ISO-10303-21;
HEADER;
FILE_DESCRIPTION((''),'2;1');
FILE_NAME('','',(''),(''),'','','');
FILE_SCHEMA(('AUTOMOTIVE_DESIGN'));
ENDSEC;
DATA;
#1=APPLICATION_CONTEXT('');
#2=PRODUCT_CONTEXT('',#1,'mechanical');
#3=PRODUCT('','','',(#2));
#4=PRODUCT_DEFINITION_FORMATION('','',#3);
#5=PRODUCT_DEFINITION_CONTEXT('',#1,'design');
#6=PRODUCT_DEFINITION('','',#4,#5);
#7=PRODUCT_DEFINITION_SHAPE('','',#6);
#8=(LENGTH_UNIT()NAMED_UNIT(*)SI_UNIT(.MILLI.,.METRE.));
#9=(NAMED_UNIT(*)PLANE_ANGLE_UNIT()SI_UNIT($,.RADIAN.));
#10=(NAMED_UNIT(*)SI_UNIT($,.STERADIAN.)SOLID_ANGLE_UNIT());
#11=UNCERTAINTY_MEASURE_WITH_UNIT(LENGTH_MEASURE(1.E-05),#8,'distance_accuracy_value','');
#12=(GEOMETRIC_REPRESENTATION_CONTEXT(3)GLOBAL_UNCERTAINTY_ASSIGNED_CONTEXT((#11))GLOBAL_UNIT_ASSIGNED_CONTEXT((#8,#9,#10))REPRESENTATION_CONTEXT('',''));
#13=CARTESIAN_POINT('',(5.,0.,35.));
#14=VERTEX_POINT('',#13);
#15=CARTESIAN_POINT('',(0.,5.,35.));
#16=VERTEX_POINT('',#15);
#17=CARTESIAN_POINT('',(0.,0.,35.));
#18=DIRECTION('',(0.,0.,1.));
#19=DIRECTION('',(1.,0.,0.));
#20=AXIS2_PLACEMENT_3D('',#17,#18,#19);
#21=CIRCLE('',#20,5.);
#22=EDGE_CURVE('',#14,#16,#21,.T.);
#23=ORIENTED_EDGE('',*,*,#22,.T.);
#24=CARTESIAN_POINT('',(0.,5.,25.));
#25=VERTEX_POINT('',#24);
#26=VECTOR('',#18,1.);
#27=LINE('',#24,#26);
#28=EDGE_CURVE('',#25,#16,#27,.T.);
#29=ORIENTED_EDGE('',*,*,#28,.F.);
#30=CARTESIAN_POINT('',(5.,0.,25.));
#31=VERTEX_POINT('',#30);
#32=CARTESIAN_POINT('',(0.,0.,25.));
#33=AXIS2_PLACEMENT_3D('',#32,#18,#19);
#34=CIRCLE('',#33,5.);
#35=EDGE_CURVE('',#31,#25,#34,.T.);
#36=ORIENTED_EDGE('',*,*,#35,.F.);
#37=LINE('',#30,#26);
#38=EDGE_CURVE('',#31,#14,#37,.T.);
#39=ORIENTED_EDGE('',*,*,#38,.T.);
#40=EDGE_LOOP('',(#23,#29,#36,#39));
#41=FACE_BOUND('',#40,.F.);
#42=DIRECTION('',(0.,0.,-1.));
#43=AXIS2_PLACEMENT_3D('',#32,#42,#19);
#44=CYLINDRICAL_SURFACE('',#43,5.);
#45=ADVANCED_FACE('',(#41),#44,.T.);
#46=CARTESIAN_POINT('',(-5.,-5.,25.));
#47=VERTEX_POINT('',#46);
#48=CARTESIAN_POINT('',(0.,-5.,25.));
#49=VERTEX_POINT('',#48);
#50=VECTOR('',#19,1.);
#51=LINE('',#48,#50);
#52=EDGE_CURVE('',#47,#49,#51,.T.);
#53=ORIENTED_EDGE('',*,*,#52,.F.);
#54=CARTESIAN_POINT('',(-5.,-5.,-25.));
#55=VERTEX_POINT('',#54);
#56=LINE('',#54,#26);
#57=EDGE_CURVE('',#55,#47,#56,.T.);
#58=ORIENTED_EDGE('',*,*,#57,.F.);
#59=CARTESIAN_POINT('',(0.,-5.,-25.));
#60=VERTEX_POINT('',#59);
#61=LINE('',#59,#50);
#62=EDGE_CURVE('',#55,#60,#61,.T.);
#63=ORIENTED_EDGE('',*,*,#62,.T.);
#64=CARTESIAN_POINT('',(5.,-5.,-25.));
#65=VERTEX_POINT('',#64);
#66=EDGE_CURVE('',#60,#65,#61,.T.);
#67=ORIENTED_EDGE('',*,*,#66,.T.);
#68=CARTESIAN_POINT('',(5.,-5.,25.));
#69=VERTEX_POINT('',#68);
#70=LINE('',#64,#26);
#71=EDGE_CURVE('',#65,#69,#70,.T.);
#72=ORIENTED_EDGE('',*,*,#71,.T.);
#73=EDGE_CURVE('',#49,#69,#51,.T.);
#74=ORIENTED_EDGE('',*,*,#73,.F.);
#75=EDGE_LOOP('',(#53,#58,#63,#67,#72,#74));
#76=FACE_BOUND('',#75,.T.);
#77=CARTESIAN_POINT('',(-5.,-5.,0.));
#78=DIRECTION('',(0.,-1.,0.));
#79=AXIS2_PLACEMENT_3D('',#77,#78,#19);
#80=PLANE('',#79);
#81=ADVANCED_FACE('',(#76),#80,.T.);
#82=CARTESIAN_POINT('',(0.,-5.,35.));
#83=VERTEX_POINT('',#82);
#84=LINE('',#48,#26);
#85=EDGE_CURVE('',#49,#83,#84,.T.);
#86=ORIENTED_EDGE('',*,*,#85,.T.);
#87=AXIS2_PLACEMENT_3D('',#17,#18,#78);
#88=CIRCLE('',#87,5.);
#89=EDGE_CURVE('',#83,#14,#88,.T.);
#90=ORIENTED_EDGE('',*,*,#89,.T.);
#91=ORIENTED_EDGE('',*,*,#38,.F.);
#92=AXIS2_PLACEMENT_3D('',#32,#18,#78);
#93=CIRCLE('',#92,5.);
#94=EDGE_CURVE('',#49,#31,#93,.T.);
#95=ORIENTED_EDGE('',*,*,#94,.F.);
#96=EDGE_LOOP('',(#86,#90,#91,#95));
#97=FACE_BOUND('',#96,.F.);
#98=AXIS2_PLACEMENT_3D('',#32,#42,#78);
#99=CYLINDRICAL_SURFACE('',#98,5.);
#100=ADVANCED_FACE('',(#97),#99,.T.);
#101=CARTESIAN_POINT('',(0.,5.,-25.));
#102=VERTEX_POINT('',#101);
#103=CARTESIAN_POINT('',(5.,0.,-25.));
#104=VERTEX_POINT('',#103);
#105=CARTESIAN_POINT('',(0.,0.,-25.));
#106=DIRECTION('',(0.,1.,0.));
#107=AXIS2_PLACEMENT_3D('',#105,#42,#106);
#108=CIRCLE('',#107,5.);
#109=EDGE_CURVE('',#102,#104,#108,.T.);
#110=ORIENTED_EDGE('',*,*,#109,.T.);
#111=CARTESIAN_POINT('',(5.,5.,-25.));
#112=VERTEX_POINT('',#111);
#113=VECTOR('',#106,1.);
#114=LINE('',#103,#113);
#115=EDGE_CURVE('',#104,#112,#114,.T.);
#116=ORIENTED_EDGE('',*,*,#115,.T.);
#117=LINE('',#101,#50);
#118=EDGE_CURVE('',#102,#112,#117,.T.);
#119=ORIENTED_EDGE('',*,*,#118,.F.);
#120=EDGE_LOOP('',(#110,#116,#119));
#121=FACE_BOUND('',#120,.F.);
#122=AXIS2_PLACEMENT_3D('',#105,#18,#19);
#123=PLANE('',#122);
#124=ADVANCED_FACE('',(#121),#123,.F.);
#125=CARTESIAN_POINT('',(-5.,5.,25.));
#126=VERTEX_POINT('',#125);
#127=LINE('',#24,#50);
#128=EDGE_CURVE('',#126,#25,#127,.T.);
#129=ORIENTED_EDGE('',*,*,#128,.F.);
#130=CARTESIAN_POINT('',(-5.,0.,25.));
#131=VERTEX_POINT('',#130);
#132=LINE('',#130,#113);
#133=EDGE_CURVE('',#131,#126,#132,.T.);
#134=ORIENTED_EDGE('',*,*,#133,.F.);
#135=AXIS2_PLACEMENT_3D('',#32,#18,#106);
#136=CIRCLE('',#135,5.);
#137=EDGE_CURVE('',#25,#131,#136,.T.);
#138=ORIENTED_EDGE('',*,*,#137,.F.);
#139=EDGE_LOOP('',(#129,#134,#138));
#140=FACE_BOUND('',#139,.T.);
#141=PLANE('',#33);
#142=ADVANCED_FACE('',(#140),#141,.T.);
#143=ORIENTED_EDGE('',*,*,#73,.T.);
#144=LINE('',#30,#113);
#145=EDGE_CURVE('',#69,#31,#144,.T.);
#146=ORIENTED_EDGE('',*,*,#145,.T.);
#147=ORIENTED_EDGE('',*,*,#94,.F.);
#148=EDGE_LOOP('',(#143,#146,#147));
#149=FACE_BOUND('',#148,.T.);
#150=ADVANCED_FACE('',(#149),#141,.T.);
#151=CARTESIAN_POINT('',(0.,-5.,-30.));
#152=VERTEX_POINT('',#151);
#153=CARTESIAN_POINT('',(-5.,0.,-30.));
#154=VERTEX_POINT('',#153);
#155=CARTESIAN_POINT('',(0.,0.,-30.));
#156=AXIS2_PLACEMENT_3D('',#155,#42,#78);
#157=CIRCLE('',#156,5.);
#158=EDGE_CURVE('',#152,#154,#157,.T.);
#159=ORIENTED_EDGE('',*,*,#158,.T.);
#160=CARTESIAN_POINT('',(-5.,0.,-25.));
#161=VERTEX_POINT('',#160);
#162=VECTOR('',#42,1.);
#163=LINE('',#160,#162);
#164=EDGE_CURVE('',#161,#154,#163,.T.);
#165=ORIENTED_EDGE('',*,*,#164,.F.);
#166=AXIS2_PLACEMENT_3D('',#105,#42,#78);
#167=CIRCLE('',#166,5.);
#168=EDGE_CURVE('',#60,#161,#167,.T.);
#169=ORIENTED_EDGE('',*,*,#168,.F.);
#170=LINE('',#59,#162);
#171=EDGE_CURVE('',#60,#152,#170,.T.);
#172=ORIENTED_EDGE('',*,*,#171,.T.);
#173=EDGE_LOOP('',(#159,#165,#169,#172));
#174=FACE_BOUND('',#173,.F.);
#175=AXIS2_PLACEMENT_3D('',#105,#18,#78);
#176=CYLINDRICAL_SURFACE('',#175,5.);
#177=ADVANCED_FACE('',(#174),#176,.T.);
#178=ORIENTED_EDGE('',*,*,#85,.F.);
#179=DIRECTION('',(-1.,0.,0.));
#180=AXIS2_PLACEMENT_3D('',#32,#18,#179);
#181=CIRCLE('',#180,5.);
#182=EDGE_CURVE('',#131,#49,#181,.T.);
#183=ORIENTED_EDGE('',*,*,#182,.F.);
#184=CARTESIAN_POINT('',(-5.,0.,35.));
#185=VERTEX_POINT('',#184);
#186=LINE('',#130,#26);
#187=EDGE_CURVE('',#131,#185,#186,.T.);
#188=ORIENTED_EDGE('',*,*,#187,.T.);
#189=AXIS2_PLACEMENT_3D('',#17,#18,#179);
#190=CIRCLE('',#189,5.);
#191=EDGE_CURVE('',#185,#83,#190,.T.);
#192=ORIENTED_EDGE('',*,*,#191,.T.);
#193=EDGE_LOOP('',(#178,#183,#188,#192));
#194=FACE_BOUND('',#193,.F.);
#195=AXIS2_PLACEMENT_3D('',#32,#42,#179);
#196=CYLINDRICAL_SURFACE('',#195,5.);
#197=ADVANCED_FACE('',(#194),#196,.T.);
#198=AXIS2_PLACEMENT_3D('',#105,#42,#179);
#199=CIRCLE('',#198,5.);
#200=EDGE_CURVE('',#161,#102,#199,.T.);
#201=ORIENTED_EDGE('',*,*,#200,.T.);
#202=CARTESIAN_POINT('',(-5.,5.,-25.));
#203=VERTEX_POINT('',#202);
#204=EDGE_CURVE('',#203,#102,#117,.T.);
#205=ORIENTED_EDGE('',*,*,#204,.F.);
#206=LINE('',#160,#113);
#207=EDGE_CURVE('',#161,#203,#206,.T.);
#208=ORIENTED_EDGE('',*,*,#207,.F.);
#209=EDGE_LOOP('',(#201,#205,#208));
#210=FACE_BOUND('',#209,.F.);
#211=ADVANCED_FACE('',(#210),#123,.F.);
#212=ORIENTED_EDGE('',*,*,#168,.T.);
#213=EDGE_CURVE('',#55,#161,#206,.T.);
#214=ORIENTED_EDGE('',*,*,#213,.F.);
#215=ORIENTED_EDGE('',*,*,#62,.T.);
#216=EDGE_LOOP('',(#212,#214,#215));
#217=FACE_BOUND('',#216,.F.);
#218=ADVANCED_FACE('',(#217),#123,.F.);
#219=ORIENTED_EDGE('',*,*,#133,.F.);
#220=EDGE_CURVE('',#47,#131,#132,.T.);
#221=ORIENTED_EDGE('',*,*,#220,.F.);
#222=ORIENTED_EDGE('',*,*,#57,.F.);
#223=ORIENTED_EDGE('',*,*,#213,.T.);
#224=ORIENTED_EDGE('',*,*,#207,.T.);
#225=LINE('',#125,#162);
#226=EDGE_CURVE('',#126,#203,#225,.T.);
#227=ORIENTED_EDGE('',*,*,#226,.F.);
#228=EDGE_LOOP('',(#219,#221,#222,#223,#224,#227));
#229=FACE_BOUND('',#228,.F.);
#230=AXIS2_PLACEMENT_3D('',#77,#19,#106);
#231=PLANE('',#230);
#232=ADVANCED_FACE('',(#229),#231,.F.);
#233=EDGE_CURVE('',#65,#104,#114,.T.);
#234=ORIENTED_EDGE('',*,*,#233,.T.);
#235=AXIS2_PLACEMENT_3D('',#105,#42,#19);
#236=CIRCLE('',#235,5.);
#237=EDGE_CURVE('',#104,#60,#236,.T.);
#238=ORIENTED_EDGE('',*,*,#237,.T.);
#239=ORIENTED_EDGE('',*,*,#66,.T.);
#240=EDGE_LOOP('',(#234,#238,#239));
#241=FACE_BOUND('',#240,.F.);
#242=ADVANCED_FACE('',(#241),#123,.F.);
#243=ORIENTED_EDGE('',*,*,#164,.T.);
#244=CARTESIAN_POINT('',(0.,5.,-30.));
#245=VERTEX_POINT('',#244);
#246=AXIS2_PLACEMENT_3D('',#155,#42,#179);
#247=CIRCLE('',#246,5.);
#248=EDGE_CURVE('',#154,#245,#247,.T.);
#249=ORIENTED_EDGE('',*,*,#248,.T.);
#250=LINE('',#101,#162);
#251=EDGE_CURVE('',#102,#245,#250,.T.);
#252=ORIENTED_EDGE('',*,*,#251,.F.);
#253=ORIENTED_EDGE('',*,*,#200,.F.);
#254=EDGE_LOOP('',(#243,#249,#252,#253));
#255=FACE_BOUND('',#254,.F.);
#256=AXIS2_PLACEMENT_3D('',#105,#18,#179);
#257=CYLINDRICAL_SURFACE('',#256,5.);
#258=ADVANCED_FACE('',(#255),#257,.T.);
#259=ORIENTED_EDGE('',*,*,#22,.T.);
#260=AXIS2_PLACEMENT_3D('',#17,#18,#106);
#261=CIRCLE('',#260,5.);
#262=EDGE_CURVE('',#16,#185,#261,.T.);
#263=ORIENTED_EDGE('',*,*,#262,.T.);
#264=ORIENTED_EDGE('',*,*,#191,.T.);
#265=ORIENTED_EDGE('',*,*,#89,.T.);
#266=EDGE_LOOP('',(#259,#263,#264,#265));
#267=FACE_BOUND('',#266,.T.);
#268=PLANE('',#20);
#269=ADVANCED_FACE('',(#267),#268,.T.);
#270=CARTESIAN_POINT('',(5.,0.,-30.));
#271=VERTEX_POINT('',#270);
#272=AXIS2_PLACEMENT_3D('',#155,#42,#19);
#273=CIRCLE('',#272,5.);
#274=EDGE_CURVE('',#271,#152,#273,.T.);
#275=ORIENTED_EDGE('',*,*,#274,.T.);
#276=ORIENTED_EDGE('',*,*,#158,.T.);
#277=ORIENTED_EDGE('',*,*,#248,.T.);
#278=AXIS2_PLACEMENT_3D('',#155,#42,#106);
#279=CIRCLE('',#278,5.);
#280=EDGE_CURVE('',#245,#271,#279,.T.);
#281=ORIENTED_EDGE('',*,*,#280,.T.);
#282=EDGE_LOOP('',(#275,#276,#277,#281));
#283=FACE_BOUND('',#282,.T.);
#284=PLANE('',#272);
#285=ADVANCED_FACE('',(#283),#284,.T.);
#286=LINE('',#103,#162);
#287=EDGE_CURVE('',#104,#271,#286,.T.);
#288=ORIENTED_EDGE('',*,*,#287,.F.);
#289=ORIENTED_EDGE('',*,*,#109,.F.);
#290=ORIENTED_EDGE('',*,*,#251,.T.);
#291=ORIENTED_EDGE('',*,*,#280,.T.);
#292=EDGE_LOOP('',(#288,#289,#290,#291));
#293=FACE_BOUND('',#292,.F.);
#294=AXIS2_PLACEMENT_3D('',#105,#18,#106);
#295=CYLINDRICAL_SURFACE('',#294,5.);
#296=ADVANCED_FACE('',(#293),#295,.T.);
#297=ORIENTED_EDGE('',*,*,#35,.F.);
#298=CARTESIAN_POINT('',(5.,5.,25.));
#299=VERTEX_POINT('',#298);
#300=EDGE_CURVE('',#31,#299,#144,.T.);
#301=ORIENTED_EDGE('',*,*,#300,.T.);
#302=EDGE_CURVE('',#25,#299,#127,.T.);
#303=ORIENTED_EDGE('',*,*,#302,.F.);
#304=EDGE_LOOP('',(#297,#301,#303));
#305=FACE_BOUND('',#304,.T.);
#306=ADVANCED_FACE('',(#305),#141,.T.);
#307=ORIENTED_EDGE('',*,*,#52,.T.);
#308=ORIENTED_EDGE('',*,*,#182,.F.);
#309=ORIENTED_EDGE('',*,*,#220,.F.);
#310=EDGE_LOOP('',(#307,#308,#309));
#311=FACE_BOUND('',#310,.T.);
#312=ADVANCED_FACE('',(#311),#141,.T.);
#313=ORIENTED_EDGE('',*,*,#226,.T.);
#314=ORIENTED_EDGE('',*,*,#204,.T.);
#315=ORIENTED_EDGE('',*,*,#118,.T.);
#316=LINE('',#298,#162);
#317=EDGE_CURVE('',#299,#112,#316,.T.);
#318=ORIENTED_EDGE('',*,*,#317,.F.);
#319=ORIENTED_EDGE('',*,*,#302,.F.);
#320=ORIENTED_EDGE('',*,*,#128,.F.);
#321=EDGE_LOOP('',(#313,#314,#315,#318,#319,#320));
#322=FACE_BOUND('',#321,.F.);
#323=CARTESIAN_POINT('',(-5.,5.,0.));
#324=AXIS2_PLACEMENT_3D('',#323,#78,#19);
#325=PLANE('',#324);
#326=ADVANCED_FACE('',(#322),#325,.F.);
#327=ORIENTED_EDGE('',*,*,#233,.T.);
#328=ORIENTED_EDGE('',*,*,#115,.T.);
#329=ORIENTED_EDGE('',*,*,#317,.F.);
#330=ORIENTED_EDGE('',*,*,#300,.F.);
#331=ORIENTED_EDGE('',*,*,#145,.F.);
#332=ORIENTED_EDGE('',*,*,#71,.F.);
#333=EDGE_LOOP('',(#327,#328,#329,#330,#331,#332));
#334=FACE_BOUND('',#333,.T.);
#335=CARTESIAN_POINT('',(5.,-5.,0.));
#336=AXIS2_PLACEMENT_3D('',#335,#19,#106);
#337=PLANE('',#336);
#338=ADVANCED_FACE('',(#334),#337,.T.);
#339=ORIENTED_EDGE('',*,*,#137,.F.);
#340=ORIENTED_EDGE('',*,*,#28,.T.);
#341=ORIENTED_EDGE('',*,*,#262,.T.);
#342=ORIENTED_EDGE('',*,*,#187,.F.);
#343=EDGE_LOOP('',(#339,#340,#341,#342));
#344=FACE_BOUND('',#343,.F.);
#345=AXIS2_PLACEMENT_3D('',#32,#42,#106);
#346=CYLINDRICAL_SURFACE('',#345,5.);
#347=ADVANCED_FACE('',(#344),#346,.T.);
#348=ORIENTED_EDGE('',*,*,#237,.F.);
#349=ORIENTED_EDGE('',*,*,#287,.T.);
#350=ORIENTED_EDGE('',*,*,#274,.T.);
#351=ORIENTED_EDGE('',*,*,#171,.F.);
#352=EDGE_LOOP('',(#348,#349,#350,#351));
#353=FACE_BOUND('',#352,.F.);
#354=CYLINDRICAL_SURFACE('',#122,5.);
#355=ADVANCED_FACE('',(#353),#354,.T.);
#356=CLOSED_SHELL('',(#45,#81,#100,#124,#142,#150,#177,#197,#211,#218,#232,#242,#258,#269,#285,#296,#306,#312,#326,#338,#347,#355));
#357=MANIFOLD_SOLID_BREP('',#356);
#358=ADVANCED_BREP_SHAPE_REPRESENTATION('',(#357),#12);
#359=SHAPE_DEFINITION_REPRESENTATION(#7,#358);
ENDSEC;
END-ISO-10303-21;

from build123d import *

# Parameters (mm, degrees)
F0_W     = 10
F0_H     = 10
F1_DEPTH = 25
F3_DEPTH = 5
F5_DEPTH = 10


with BuildPart() as f1:
    # F0 (on Top) → F1 (new body, symmetric)
    with BuildSketch(Plane.XY):
        Rectangle(F0_W, F0_H)
    extrude(amount=F1_DEPTH, both=True)

    # F2 (on face) → F3 (join)
    with BuildSketch(Plane(origin=(0, 0, -25), x_dir=(1, 0, 0), z_dir=(0, 0, -1))):
        with BuildLine():
            ThreePointArc((0, -5), (3.5355339059, -3.5355339059), (5, 0))
            ThreePointArc((5, 0), (3.5355339059, 3.5355339059), (0, 5))
            ThreePointArc((0, 5), (-3.5355339059, 3.5355339059), (-5, 0))
            ThreePointArc((-5, 0), (-3.5355339059, -3.5355339059), (0, -5))
        make_face()
    extrude(amount=F3_DEPTH)

    # F4 (on face) → F5 (join)
    with BuildSketch(Plane.XY.offset(25)):
        with BuildLine():
            ThreePointArc((0, -5), (3.5355339059, -3.5355339059), (5, 0))
            ThreePointArc((5, 0), (3.5355339059, 3.5355339059), (0, 5))
            ThreePointArc((0, 5), (-3.5355339059, 3.5355339059), (-5, 0))
            ThreePointArc((-5, 0), (-3.5355339059, -3.5355339059), (0, -5))
        make_face()
    extrude(amount=F5_DEPTH)


solid = f1.part
